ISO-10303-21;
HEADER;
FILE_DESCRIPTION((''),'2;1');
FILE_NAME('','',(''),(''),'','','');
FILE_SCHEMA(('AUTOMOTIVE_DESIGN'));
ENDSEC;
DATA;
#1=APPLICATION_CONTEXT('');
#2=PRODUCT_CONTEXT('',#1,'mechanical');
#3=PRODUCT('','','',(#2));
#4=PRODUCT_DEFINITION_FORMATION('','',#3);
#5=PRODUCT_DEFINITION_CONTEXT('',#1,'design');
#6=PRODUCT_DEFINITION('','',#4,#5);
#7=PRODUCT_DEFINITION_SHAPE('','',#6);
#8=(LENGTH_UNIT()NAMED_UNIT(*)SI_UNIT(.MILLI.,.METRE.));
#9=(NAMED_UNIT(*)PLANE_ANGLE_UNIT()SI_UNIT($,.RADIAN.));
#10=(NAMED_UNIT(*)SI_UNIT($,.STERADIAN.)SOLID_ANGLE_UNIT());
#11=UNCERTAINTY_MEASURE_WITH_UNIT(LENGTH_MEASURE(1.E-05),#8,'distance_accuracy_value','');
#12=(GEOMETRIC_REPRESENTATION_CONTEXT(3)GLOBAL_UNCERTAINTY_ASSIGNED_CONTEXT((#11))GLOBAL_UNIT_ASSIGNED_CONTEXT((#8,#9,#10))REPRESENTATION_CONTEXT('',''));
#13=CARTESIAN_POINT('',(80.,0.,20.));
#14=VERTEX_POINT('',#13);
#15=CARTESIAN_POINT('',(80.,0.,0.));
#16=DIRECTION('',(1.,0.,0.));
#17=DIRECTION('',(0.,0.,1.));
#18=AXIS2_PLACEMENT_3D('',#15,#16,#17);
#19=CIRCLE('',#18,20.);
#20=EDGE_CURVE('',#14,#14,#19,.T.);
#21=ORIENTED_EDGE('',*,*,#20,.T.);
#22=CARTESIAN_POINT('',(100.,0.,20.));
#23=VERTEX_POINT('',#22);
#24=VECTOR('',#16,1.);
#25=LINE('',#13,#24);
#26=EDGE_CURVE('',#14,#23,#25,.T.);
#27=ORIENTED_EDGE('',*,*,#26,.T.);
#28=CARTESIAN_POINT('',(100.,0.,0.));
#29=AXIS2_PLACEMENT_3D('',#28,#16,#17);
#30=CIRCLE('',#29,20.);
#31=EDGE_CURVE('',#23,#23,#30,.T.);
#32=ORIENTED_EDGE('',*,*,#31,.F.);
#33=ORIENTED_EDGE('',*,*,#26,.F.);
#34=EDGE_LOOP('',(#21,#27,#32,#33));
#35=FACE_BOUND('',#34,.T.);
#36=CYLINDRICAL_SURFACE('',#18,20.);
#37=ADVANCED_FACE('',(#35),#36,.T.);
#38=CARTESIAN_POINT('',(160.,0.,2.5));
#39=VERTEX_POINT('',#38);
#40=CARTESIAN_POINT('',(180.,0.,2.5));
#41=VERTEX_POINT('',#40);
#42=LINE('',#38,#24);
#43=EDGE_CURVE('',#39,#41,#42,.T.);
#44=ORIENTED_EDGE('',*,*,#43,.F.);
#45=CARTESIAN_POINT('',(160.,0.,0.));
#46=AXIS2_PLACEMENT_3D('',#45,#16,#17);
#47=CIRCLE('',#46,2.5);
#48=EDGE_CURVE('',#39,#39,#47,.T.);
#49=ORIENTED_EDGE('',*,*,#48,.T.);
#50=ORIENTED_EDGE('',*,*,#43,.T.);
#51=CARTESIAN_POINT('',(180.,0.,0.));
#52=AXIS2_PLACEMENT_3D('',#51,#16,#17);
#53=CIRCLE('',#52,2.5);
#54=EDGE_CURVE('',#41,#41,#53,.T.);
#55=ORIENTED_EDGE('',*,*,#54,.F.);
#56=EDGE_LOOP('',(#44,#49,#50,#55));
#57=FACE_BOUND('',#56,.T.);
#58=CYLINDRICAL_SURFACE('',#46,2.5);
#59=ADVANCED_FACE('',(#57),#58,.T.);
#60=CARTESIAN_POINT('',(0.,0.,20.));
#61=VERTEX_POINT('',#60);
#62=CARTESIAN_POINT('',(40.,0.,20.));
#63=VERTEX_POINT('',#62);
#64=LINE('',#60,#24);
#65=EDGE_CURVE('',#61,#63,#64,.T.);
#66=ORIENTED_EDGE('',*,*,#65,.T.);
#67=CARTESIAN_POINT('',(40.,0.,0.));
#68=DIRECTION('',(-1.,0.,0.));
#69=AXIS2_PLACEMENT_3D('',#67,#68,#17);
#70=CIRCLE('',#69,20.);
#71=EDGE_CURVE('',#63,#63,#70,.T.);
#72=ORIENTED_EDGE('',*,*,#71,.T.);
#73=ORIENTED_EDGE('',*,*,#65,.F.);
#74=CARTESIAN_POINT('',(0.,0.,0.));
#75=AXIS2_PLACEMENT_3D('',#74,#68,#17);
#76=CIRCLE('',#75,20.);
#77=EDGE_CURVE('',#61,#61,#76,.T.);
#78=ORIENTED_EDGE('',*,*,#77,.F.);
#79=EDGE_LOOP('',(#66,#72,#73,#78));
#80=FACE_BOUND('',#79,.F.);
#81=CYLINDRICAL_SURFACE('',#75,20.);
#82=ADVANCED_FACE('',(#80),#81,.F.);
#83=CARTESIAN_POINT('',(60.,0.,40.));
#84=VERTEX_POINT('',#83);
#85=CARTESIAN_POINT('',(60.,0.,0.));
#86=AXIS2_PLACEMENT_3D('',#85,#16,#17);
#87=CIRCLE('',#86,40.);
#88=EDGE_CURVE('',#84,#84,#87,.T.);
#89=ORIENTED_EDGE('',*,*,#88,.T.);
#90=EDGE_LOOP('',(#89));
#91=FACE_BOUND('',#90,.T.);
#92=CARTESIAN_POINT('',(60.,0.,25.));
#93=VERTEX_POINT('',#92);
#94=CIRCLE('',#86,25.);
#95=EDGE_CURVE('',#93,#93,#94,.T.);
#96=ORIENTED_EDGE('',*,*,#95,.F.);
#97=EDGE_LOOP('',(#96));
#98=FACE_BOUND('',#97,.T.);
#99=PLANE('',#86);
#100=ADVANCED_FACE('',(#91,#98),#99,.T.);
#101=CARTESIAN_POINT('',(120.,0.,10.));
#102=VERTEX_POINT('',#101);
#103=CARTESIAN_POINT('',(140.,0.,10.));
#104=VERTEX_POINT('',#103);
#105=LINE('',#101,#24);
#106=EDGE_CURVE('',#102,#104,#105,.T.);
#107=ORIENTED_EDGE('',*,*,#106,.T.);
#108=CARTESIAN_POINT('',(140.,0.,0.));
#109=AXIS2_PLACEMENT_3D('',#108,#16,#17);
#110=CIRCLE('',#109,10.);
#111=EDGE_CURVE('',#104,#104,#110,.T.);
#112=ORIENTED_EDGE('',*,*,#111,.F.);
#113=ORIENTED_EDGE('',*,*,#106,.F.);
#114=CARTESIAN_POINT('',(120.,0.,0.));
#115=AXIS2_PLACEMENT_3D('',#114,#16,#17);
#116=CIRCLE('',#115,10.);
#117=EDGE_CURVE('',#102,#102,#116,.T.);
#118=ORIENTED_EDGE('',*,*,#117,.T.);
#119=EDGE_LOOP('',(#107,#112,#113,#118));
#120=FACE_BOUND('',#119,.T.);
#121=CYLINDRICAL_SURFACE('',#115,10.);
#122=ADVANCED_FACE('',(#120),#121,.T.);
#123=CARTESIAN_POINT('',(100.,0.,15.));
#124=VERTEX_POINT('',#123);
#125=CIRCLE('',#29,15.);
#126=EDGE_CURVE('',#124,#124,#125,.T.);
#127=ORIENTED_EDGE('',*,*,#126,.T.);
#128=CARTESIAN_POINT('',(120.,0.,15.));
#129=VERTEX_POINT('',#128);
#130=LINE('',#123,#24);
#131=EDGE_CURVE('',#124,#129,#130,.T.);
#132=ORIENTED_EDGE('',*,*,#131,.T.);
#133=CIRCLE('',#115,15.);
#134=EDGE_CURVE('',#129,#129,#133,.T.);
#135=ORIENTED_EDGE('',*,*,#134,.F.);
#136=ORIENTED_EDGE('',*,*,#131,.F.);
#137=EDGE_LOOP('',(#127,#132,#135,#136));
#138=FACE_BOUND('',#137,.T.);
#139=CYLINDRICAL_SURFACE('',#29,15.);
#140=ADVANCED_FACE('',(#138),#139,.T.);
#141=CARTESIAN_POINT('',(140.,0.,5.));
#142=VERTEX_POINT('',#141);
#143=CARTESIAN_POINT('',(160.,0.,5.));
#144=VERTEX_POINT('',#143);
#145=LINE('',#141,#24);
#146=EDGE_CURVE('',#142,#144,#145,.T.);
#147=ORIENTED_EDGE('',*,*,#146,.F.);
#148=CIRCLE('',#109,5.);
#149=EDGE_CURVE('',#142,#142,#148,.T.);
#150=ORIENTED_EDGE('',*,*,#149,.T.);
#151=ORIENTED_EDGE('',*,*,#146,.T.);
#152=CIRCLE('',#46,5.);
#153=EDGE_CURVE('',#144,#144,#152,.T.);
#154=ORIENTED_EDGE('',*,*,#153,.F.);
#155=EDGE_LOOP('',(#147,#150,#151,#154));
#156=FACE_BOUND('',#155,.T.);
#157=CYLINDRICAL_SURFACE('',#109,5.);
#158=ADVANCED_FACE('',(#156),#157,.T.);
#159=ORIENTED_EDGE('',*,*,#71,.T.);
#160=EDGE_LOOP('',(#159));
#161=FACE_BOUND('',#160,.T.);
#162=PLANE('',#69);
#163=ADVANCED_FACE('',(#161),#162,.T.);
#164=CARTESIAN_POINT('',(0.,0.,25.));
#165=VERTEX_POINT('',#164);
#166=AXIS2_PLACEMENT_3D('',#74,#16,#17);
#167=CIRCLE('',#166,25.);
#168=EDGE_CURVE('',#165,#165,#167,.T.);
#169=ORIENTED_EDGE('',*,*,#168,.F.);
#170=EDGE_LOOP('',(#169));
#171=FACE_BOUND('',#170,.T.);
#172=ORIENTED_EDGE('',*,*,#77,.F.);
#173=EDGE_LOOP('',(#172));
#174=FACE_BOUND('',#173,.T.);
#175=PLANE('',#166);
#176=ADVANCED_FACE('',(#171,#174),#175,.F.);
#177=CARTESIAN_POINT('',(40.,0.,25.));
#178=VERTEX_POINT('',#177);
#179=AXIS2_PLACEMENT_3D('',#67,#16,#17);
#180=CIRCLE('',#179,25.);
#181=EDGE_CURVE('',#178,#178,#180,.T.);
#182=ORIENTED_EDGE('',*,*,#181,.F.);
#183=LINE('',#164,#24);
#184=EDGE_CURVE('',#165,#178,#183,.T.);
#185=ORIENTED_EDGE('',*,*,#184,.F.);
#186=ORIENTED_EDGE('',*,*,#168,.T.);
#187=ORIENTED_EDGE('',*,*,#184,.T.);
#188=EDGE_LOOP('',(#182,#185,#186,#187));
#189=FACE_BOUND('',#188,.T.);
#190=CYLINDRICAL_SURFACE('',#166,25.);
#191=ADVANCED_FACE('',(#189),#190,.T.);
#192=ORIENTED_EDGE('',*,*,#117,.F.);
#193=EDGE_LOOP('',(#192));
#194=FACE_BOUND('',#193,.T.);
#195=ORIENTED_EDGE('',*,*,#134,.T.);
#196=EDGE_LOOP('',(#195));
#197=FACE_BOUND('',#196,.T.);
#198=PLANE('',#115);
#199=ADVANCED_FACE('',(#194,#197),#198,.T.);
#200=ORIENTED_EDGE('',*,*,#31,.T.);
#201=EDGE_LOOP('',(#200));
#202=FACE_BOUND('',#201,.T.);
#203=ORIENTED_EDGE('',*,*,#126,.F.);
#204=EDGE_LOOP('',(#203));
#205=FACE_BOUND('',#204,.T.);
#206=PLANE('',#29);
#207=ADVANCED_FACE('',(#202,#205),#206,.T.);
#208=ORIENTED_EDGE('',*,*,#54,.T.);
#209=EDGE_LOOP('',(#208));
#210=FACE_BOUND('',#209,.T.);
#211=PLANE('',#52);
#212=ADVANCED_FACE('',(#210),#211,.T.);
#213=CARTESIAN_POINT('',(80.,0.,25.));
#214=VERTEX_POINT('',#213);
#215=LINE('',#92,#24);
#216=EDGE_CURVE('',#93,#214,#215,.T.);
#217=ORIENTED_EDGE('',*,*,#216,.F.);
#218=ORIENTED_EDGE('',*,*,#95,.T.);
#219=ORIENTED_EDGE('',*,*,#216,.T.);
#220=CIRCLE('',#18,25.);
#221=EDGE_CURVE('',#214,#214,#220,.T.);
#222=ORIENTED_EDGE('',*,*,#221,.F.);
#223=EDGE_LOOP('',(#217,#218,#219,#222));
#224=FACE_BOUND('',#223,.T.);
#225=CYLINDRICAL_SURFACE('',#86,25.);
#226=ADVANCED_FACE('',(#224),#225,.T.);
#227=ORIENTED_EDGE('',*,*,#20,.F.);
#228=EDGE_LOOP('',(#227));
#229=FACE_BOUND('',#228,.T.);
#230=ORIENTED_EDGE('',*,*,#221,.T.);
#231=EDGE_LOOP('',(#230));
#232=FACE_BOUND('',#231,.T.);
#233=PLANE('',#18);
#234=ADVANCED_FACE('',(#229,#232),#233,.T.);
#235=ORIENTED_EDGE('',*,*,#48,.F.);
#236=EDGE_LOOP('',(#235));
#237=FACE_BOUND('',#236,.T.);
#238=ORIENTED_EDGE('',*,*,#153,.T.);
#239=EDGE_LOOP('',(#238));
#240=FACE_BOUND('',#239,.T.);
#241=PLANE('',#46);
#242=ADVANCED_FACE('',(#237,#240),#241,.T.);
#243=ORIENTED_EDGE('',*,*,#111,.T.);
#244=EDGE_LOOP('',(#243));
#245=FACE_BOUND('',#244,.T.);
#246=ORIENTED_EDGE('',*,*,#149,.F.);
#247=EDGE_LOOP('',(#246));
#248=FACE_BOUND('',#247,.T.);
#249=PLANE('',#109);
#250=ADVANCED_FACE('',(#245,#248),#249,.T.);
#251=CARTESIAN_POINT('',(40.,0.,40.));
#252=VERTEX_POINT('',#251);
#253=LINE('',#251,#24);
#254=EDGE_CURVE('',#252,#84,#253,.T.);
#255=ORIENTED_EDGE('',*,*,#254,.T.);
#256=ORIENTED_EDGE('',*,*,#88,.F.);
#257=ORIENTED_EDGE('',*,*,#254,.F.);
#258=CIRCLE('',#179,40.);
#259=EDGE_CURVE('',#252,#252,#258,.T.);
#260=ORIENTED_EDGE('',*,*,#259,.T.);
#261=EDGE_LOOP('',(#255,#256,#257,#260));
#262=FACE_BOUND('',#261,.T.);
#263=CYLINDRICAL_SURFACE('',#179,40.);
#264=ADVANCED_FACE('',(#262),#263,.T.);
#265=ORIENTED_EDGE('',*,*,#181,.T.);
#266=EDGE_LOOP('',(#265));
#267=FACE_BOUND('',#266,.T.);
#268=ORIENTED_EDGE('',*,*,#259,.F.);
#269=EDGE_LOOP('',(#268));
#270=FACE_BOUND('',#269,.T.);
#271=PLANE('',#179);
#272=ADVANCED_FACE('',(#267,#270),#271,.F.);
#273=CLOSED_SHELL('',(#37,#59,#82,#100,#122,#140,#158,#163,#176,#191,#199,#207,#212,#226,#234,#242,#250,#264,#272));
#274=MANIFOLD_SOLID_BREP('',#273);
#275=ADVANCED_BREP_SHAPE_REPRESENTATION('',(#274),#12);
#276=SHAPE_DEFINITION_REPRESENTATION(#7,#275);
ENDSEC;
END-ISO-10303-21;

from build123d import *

# Parameters (mm, degrees)
SKETCH2_R          = 20
CUT_EXTRUDE1_DEPTH = 40


with BuildPart() as part:
    # Sketch1 → Revolve1 (revolve)
    with BuildSketch(Plane.XY, mode=Mode.PRIVATE) as revolve1_sk:
        Polygon((0, 0), (0, -25), (40, -25), (40, -40), (60, -40), (60, -25), (80, -25), (80, -20), (100, -20), (100, -15), (120, -15), (120, -10), (140, -10), (140, -5), (160, -5), (160, -2.5), (180, -2.5), (180, 0), align=None)
    revolve(revolve1_sk.sketch.rotate(Axis((0, 0, 0), (1, 0, 0)), 270), axis=Axis((0, 0, 0), (1, 0, 0)))  # turned: the seam where the file's is

    # Sketch2 → Cut-Extrude1 (cut)
    with BuildSketch(Plane.ZY):
        Circle(SKETCH2_R)
    extrude(amount=-CUT_EXTRUDE1_DEPTH, mode=Mode.SUBTRACT)


solid = part.part
